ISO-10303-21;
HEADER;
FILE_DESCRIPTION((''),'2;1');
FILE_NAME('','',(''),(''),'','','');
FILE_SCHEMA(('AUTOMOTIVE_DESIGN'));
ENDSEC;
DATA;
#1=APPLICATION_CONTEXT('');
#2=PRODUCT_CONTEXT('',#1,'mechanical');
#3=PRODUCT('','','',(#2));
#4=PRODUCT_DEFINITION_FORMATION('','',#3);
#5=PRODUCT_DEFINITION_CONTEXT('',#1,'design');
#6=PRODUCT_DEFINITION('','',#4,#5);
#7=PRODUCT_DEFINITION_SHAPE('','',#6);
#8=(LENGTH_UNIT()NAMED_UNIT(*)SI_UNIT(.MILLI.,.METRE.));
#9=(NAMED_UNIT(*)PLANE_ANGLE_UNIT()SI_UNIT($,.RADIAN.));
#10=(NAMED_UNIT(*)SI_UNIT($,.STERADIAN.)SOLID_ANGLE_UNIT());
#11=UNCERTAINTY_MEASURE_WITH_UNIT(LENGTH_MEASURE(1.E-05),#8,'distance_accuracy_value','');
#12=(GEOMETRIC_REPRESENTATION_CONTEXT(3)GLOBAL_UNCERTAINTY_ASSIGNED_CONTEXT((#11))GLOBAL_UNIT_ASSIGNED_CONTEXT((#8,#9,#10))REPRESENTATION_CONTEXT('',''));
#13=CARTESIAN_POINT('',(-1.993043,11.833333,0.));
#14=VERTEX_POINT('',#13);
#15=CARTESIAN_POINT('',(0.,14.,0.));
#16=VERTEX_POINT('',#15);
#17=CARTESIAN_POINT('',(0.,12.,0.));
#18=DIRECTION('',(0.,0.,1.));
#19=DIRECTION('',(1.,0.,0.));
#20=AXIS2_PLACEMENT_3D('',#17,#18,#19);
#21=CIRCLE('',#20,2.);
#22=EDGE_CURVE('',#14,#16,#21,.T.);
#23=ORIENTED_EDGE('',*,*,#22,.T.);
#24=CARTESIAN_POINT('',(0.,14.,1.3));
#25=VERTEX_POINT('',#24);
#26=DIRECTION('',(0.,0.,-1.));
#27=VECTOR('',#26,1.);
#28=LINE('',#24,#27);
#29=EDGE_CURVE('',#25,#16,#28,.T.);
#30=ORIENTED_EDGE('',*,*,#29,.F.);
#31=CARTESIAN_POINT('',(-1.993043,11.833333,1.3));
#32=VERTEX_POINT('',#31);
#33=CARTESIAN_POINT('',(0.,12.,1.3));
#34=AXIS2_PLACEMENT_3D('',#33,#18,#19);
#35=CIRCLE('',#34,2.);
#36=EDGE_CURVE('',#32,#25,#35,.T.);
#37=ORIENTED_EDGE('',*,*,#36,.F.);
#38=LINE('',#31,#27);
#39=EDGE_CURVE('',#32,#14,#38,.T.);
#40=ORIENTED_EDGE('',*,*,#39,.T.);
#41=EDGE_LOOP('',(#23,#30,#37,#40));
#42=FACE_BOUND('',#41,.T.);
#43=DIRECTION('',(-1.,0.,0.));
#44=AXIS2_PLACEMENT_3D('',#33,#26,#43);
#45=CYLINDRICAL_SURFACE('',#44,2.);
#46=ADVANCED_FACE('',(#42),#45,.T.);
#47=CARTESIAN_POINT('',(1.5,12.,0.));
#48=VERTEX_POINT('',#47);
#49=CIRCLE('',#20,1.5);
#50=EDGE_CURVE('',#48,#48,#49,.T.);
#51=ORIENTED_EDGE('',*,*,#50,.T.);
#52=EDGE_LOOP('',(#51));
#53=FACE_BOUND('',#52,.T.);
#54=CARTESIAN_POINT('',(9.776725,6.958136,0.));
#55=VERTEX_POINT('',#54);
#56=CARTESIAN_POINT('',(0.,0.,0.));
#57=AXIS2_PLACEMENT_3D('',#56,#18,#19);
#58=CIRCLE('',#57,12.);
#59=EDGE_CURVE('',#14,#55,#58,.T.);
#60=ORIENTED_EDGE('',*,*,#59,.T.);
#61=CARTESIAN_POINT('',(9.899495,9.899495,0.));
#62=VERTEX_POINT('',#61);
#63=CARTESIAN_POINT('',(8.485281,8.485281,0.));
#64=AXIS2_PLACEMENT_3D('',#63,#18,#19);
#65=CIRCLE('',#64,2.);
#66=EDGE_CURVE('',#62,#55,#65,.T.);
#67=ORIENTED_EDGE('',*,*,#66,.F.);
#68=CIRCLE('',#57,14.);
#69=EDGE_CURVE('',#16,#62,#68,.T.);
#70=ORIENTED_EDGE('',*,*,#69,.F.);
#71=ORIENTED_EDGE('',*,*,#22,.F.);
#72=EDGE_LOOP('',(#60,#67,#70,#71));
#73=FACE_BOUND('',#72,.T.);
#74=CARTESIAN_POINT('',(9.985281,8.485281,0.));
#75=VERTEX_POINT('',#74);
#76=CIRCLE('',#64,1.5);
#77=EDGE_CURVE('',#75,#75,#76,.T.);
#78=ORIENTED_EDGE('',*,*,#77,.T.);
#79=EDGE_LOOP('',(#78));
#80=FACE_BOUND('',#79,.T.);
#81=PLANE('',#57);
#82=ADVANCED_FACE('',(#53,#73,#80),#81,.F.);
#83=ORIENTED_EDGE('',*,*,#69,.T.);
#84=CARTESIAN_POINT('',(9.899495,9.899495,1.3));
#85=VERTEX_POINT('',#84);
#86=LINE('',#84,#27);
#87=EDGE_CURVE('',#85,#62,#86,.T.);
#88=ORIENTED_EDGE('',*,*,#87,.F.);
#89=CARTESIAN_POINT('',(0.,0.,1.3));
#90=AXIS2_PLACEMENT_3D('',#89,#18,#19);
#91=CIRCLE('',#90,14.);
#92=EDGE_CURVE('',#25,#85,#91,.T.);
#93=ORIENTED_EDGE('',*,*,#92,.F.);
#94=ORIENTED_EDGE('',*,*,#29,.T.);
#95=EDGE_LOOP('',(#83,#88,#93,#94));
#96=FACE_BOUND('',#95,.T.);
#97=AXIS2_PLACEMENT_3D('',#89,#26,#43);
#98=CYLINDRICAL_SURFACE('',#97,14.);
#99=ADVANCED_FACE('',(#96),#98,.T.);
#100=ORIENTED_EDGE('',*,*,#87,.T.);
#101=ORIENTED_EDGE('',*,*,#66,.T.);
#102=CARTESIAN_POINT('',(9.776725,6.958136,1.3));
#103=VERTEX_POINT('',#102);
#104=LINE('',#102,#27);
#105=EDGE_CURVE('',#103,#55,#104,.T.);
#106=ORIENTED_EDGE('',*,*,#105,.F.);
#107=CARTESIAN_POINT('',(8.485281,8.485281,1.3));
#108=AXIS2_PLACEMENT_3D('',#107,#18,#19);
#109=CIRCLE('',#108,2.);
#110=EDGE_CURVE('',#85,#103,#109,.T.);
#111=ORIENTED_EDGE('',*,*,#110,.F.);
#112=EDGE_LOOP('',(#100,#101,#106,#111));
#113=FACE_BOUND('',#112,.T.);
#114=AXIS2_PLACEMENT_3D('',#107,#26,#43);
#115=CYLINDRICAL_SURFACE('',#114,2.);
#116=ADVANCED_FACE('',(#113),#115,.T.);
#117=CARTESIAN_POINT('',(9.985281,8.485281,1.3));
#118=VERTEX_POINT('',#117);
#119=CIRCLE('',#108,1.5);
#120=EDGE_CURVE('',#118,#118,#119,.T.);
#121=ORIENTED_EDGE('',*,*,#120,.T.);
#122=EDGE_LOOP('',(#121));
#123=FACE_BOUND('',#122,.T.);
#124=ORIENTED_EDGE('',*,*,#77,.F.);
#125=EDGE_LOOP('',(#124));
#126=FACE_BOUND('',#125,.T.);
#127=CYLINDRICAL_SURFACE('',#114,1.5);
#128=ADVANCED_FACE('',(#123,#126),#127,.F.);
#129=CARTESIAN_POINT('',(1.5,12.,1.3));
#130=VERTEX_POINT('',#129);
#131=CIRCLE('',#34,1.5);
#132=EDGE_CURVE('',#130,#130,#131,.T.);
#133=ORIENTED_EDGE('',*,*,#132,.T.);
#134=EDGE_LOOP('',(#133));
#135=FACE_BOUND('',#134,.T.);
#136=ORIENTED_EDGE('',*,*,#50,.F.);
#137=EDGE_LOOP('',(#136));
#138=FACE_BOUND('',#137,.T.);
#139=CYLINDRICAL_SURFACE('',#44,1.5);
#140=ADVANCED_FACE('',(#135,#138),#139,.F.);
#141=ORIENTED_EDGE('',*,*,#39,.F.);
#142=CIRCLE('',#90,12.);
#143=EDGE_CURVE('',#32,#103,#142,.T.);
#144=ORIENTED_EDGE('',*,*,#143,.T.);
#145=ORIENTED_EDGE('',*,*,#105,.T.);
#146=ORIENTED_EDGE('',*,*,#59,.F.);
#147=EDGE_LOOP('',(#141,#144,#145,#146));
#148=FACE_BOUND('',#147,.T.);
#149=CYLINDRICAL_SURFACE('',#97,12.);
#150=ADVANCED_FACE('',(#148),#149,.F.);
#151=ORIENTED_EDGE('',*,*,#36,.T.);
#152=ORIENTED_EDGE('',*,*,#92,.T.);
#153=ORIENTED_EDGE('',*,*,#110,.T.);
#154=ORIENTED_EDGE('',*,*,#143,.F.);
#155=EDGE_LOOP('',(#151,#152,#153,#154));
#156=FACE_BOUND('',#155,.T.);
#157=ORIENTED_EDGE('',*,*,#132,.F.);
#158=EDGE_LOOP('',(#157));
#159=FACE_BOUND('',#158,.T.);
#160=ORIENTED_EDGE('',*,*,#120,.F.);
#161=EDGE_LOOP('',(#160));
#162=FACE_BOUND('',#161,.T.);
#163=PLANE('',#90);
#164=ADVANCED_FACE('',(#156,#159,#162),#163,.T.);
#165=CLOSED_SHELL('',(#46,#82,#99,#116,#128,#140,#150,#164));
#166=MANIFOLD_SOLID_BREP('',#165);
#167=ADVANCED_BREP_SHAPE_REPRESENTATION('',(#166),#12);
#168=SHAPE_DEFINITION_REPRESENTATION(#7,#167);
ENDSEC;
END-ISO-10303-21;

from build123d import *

# Parameters (mm, degrees)
SKETCH1_R           = 1.5
BOSS_EXTRUDE1_DEPTH = 1.3


with BuildPart() as part:
    # Sketch1 → Boss-Extrude1 (new body)
    with BuildSketch(Plane.XY):
        with BuildLine():
            ThreePointArc((0, 14), (-5.357568055, -12.934313455), (9.899494939, 9.899494934))
            ThreePointArc((9.899494939, 9.899494934), (6.487021267, 8.568687268), (9.776724788, 6.9581357))
            ThreePointArc((9.776724788, 6.9581357), (-4.592201188, -11.08655439), (-1.993043457, 11.833333333))
            ThreePointArc((-1.993043457, 11.833333333), (1.471960144, 10.645993599), (0, 14))
        make_face()
        with Locations((0, 12)):
            Circle(SKETCH1_R, mode=Mode.SUBTRACT)
        with Locations((8.485281374, 8.485281374)):
            Circle(SKETCH1_R, mode=Mode.SUBTRACT)
    extrude(amount=BOSS_EXTRUDE1_DEPTH)


solid = part.part
